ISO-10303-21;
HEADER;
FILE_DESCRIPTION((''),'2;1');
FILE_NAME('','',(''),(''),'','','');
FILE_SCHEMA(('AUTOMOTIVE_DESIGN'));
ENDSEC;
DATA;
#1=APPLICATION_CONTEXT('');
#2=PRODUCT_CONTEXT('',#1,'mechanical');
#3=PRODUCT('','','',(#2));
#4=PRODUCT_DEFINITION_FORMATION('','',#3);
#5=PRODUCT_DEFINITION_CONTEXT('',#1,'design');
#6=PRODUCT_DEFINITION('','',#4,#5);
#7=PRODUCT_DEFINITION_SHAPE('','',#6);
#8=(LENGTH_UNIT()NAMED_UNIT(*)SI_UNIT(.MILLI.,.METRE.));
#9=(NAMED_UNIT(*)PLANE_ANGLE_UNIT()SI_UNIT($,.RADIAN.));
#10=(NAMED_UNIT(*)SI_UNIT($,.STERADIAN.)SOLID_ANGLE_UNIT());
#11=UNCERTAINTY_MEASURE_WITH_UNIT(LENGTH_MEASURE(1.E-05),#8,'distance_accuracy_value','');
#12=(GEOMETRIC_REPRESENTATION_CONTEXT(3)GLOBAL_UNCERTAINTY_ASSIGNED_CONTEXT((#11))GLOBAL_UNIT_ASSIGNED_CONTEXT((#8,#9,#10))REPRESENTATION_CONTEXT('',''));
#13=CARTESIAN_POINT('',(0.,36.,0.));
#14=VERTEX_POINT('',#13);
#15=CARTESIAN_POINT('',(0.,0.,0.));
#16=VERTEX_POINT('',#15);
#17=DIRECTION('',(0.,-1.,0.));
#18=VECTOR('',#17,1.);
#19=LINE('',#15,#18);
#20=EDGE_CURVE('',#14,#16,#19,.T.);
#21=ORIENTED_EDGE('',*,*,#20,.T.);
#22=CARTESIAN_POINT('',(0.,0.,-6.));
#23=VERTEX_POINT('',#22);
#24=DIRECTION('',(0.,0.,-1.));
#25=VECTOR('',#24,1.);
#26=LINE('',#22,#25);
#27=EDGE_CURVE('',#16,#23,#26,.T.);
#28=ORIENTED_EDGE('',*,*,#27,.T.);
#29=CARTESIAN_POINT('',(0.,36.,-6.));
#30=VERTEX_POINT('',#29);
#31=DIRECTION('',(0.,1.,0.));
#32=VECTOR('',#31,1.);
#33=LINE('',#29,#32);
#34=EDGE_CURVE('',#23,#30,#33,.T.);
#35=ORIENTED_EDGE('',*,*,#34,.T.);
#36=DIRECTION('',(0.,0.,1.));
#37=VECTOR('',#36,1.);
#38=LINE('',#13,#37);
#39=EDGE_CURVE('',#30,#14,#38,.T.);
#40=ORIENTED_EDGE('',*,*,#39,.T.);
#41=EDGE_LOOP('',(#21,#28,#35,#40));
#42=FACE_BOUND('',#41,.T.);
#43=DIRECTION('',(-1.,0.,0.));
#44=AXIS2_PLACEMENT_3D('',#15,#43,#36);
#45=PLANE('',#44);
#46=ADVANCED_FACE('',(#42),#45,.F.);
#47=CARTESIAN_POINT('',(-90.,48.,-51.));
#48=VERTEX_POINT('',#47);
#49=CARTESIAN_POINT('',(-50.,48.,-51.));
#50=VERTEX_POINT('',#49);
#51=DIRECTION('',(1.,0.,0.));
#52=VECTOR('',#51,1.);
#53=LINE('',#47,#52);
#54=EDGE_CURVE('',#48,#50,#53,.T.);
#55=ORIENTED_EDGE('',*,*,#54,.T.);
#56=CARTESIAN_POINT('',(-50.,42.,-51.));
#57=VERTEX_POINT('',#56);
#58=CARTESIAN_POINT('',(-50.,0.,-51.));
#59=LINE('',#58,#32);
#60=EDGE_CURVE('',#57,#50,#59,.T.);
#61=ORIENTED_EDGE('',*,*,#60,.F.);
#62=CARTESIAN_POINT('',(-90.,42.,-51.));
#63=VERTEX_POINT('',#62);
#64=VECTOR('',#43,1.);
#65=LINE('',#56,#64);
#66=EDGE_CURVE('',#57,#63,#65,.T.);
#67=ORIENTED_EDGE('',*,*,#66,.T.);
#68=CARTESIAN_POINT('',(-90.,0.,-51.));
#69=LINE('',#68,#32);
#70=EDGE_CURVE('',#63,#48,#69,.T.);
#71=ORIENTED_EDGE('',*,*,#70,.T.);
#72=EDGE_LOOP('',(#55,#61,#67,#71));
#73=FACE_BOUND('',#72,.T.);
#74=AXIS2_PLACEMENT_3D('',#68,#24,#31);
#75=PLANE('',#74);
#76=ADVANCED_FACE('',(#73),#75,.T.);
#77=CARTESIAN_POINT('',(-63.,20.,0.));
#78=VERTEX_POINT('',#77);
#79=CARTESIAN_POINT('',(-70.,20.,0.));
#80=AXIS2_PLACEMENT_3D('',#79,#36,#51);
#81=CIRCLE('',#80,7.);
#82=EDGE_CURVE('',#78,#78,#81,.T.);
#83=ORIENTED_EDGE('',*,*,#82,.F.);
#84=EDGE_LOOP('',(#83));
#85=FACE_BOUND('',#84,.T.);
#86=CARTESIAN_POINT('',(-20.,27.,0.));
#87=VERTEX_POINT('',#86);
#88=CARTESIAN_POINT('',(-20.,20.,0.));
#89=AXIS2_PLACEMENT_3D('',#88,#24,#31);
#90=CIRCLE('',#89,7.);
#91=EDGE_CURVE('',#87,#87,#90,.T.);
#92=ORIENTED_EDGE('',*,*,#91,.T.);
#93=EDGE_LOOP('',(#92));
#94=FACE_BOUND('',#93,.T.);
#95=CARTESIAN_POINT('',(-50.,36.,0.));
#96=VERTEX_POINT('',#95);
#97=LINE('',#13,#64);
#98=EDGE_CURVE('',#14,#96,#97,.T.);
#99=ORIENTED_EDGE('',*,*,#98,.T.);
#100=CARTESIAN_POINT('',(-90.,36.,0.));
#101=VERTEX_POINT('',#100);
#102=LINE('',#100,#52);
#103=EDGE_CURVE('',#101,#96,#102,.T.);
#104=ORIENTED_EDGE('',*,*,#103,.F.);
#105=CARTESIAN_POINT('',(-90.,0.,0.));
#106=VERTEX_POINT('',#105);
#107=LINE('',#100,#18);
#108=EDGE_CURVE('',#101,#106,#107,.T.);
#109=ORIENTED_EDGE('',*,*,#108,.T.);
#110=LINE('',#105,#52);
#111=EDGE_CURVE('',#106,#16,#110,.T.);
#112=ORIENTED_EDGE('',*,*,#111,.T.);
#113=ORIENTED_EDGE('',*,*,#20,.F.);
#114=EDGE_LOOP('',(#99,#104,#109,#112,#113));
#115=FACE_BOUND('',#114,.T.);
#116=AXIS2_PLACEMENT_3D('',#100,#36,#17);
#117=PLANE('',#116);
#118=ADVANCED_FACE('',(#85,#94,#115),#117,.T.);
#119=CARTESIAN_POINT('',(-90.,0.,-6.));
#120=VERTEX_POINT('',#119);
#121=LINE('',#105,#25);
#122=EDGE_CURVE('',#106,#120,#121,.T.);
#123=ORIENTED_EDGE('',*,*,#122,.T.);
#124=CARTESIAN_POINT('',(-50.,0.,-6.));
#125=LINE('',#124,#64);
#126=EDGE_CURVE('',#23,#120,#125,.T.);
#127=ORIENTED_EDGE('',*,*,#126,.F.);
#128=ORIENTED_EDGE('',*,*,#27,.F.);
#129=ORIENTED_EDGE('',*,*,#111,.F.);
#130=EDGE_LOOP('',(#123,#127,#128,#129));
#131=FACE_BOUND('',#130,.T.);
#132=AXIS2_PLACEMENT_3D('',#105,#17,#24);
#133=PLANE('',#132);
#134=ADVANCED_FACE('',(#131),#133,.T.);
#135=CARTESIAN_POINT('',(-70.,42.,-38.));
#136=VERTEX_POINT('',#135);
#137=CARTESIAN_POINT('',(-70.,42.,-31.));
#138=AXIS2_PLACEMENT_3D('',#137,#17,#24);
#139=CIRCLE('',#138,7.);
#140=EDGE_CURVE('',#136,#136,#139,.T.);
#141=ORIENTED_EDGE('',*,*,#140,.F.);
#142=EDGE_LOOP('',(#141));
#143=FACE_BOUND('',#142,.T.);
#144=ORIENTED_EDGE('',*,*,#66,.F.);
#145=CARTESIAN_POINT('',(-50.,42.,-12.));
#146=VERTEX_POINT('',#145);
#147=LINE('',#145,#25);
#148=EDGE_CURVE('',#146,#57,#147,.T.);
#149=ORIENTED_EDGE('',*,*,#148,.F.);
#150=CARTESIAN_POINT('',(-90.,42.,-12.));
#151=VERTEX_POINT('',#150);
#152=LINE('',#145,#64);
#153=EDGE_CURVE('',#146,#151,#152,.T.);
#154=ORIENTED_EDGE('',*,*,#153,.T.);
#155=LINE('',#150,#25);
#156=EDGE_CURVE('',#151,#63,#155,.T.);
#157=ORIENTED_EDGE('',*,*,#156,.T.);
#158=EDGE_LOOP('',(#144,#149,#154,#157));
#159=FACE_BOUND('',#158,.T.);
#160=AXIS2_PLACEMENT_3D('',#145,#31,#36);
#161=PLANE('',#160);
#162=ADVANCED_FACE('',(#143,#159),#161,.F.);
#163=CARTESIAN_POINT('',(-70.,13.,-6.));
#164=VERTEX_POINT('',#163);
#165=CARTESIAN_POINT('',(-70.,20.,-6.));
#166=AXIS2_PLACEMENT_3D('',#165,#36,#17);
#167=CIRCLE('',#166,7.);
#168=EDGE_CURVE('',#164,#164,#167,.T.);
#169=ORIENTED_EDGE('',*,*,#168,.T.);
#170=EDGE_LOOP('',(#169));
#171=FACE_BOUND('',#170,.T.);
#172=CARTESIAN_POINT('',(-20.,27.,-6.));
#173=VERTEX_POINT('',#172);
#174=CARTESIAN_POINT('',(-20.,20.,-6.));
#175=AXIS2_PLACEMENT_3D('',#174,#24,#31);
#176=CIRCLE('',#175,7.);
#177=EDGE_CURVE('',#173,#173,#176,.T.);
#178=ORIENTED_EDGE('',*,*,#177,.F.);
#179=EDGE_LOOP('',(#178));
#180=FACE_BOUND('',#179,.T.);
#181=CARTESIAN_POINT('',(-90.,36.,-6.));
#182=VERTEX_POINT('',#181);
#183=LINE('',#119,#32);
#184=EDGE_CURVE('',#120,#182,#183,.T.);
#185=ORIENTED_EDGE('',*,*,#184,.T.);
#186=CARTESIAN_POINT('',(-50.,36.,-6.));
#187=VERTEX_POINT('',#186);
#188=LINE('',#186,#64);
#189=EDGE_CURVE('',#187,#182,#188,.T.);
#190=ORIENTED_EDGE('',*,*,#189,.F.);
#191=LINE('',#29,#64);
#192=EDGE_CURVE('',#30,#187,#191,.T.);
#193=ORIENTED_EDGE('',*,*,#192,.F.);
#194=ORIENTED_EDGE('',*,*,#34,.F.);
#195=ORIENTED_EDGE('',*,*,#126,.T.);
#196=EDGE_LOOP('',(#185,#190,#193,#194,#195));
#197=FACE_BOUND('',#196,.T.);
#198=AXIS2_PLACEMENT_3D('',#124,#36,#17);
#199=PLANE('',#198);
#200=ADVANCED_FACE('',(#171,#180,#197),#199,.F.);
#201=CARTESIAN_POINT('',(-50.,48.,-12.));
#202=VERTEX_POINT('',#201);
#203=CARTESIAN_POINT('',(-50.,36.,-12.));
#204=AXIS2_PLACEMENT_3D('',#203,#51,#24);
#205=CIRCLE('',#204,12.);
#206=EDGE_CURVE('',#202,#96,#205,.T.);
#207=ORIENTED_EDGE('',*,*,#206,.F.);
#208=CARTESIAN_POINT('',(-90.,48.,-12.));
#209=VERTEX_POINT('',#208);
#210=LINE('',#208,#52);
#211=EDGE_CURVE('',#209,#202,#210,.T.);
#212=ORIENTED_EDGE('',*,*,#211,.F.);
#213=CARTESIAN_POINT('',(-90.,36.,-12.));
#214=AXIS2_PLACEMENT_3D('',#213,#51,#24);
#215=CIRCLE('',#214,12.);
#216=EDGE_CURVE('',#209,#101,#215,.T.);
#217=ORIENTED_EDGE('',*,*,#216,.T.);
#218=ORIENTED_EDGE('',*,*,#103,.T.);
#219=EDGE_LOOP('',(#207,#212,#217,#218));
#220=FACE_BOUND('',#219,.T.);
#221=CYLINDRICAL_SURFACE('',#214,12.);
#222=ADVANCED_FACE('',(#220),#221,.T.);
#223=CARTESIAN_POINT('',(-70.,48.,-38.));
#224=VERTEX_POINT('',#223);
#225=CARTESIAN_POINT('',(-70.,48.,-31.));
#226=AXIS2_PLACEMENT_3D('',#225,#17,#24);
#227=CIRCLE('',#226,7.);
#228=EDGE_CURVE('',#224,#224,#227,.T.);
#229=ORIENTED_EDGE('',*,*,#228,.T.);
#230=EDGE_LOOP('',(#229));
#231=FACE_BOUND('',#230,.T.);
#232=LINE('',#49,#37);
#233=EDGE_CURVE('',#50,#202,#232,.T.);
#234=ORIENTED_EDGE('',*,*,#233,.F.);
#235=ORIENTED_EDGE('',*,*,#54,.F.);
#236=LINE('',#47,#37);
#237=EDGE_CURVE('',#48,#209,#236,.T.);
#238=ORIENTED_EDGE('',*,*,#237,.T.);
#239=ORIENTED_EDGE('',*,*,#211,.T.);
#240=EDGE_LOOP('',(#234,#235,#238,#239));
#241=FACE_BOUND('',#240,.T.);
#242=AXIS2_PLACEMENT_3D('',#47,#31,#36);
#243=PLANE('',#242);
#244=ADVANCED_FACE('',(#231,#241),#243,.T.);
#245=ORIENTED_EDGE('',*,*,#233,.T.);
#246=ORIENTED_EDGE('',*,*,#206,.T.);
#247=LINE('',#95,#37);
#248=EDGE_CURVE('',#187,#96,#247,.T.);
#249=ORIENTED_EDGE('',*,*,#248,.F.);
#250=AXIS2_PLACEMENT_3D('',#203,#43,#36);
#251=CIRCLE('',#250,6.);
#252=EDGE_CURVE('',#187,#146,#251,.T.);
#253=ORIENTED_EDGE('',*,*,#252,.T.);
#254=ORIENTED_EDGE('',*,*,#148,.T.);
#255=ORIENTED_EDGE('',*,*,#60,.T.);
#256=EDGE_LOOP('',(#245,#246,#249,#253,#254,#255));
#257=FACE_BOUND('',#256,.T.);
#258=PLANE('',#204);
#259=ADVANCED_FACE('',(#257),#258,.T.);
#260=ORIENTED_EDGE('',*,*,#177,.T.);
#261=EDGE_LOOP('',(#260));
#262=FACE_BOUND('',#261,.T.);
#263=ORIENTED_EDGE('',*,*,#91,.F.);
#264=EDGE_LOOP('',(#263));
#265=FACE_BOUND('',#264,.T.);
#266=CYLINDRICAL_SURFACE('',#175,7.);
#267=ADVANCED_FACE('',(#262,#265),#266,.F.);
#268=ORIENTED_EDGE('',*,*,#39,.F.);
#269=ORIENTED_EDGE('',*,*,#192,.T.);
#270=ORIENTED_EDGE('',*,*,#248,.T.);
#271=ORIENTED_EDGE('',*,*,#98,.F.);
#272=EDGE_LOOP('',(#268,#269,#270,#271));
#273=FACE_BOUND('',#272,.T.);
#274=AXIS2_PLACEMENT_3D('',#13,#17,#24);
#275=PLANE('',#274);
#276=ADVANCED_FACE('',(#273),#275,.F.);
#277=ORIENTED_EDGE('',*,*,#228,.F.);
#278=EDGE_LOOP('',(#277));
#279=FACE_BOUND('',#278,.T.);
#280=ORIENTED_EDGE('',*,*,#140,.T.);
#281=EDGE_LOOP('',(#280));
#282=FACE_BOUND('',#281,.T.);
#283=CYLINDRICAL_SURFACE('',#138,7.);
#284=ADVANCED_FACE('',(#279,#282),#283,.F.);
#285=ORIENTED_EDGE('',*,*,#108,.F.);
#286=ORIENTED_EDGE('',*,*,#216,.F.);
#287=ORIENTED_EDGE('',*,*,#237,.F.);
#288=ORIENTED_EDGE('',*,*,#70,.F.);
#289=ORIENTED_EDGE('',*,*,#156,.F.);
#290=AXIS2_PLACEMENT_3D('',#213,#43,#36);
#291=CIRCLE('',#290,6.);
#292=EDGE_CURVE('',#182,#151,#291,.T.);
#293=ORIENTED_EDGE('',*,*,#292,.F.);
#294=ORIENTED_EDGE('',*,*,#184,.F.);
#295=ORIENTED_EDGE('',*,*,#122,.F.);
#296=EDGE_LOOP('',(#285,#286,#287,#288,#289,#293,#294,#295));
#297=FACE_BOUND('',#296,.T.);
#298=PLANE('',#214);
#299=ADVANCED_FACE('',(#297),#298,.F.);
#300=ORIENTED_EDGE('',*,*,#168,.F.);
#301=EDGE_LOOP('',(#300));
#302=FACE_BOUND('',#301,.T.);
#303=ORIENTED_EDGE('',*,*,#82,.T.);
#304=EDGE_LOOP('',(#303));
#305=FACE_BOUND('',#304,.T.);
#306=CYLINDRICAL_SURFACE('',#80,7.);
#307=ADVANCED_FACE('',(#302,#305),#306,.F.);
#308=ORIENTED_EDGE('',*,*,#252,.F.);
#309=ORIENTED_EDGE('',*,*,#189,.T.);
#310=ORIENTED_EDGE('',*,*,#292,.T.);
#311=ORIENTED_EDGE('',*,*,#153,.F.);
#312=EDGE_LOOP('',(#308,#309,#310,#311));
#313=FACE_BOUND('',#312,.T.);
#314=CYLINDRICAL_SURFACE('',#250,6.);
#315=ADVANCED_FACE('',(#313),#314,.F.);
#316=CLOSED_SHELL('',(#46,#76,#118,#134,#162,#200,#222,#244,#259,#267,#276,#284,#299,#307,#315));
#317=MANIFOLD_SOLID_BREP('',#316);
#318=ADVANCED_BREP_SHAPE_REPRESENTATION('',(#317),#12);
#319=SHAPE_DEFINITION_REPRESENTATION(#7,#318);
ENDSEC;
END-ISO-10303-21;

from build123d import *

# Parameters (mm, degrees)
BOSS_EXTRUDE1_DEPTH            = 40
CUT_EXTRUDE1_DEPTH             = 41
SKETCH3_W                      = 6
SKETCH3_H                      = 36
BOSS_EXTRUDE2_DEPTH            = 50
F_14_0_14_DIAMETER_HOLE1_D     = 14
F_14_0_14_DIAMETER_HOLE1_DEPTH = 51
F_14_0_14_DIAMETER_HOLE2_D     = 14
F_14_0_14_DIAMETER_HOLE2_DEPTH = 6
F_14_0_14_DIAMETER_HOLE3_D     = 14
F_14_0_14_DIAMETER_HOLE3_DEPTH = 6


with BuildPart() as part:
    # Sketch1 → Boss-Extrude1 (new body)
    with BuildSketch(Plane(origin=(-50, 0, 0), x_dir=(0, 0, -1), z_dir=(1, 0, 0))):
        with BuildLine():
            Line((0, 0), (51, 0))
            Line((51, 0), (51, 48))
            Line((51, 48), (12, 48))
            ThreePointArc((12, 48), (3.514718626, 44.485281374), (0, 36))
            Line((0, 36), (0, 0))
        make_face()
    extrude(amount=-BOSS_EXTRUDE1_DEPTH)

    # Sketch2 → Cut-Extrude1 (cut, through all)
    with BuildSketch(Plane.ZY.offset(90)):
        with BuildLine():
            Line((-51, 0), (-6, 0))
            Line((-6, 0), (-6, 36))
            ThreePointArc((-6, 36), (-7.757359313, 40.242640687), (-12, 42))
            Line((-12, 42), (-51, 42))
            Line((-51, 42), (-51, 0))
        make_face()
    extrude(amount=-CUT_EXTRUDE1_DEPTH, mode=Mode.SUBTRACT)

    # Sketch3 → Boss-Extrude2 (add)
    with BuildSketch(Plane(origin=(-50, 0, 0), x_dir=(0, 0, -1), z_dir=(1, 0, 0))):
        with Locations((3, 18)):
            Rectangle(SKETCH3_W, SKETCH3_H)
    extrude(amount=BOSS_EXTRUDE2_DEPTH)

    # Ø14.0 (14) Diameter Hole1
    with Locations(Plane.XY):
        with Locations((-70, 20)):
            Hole(F_14_0_14_DIAMETER_HOLE1_D / 2, depth=F_14_0_14_DIAMETER_HOLE1_DEPTH)

    # Ø14.0 (14) Diameter Hole2
    with Locations(Plane(origin=(0, 0, -6), x_dir=(-1, 0, 0), z_dir=(0, 0, -1))):
        with Locations((20, 20)):
            Hole(F_14_0_14_DIAMETER_HOLE2_D / 2, depth=F_14_0_14_DIAMETER_HOLE2_DEPTH)

    # Ø14.0 (14) Diameter Hole3
    with Locations(Plane(origin=(0, 42, 0), x_dir=(-1, 0, 0), z_dir=(0, -1, 0))):
        with Locations((70, 31)):
            Hole(F_14_0_14_DIAMETER_HOLE3_D / 2, depth=F_14_0_14_DIAMETER_HOLE3_DEPTH)


solid = part.part
